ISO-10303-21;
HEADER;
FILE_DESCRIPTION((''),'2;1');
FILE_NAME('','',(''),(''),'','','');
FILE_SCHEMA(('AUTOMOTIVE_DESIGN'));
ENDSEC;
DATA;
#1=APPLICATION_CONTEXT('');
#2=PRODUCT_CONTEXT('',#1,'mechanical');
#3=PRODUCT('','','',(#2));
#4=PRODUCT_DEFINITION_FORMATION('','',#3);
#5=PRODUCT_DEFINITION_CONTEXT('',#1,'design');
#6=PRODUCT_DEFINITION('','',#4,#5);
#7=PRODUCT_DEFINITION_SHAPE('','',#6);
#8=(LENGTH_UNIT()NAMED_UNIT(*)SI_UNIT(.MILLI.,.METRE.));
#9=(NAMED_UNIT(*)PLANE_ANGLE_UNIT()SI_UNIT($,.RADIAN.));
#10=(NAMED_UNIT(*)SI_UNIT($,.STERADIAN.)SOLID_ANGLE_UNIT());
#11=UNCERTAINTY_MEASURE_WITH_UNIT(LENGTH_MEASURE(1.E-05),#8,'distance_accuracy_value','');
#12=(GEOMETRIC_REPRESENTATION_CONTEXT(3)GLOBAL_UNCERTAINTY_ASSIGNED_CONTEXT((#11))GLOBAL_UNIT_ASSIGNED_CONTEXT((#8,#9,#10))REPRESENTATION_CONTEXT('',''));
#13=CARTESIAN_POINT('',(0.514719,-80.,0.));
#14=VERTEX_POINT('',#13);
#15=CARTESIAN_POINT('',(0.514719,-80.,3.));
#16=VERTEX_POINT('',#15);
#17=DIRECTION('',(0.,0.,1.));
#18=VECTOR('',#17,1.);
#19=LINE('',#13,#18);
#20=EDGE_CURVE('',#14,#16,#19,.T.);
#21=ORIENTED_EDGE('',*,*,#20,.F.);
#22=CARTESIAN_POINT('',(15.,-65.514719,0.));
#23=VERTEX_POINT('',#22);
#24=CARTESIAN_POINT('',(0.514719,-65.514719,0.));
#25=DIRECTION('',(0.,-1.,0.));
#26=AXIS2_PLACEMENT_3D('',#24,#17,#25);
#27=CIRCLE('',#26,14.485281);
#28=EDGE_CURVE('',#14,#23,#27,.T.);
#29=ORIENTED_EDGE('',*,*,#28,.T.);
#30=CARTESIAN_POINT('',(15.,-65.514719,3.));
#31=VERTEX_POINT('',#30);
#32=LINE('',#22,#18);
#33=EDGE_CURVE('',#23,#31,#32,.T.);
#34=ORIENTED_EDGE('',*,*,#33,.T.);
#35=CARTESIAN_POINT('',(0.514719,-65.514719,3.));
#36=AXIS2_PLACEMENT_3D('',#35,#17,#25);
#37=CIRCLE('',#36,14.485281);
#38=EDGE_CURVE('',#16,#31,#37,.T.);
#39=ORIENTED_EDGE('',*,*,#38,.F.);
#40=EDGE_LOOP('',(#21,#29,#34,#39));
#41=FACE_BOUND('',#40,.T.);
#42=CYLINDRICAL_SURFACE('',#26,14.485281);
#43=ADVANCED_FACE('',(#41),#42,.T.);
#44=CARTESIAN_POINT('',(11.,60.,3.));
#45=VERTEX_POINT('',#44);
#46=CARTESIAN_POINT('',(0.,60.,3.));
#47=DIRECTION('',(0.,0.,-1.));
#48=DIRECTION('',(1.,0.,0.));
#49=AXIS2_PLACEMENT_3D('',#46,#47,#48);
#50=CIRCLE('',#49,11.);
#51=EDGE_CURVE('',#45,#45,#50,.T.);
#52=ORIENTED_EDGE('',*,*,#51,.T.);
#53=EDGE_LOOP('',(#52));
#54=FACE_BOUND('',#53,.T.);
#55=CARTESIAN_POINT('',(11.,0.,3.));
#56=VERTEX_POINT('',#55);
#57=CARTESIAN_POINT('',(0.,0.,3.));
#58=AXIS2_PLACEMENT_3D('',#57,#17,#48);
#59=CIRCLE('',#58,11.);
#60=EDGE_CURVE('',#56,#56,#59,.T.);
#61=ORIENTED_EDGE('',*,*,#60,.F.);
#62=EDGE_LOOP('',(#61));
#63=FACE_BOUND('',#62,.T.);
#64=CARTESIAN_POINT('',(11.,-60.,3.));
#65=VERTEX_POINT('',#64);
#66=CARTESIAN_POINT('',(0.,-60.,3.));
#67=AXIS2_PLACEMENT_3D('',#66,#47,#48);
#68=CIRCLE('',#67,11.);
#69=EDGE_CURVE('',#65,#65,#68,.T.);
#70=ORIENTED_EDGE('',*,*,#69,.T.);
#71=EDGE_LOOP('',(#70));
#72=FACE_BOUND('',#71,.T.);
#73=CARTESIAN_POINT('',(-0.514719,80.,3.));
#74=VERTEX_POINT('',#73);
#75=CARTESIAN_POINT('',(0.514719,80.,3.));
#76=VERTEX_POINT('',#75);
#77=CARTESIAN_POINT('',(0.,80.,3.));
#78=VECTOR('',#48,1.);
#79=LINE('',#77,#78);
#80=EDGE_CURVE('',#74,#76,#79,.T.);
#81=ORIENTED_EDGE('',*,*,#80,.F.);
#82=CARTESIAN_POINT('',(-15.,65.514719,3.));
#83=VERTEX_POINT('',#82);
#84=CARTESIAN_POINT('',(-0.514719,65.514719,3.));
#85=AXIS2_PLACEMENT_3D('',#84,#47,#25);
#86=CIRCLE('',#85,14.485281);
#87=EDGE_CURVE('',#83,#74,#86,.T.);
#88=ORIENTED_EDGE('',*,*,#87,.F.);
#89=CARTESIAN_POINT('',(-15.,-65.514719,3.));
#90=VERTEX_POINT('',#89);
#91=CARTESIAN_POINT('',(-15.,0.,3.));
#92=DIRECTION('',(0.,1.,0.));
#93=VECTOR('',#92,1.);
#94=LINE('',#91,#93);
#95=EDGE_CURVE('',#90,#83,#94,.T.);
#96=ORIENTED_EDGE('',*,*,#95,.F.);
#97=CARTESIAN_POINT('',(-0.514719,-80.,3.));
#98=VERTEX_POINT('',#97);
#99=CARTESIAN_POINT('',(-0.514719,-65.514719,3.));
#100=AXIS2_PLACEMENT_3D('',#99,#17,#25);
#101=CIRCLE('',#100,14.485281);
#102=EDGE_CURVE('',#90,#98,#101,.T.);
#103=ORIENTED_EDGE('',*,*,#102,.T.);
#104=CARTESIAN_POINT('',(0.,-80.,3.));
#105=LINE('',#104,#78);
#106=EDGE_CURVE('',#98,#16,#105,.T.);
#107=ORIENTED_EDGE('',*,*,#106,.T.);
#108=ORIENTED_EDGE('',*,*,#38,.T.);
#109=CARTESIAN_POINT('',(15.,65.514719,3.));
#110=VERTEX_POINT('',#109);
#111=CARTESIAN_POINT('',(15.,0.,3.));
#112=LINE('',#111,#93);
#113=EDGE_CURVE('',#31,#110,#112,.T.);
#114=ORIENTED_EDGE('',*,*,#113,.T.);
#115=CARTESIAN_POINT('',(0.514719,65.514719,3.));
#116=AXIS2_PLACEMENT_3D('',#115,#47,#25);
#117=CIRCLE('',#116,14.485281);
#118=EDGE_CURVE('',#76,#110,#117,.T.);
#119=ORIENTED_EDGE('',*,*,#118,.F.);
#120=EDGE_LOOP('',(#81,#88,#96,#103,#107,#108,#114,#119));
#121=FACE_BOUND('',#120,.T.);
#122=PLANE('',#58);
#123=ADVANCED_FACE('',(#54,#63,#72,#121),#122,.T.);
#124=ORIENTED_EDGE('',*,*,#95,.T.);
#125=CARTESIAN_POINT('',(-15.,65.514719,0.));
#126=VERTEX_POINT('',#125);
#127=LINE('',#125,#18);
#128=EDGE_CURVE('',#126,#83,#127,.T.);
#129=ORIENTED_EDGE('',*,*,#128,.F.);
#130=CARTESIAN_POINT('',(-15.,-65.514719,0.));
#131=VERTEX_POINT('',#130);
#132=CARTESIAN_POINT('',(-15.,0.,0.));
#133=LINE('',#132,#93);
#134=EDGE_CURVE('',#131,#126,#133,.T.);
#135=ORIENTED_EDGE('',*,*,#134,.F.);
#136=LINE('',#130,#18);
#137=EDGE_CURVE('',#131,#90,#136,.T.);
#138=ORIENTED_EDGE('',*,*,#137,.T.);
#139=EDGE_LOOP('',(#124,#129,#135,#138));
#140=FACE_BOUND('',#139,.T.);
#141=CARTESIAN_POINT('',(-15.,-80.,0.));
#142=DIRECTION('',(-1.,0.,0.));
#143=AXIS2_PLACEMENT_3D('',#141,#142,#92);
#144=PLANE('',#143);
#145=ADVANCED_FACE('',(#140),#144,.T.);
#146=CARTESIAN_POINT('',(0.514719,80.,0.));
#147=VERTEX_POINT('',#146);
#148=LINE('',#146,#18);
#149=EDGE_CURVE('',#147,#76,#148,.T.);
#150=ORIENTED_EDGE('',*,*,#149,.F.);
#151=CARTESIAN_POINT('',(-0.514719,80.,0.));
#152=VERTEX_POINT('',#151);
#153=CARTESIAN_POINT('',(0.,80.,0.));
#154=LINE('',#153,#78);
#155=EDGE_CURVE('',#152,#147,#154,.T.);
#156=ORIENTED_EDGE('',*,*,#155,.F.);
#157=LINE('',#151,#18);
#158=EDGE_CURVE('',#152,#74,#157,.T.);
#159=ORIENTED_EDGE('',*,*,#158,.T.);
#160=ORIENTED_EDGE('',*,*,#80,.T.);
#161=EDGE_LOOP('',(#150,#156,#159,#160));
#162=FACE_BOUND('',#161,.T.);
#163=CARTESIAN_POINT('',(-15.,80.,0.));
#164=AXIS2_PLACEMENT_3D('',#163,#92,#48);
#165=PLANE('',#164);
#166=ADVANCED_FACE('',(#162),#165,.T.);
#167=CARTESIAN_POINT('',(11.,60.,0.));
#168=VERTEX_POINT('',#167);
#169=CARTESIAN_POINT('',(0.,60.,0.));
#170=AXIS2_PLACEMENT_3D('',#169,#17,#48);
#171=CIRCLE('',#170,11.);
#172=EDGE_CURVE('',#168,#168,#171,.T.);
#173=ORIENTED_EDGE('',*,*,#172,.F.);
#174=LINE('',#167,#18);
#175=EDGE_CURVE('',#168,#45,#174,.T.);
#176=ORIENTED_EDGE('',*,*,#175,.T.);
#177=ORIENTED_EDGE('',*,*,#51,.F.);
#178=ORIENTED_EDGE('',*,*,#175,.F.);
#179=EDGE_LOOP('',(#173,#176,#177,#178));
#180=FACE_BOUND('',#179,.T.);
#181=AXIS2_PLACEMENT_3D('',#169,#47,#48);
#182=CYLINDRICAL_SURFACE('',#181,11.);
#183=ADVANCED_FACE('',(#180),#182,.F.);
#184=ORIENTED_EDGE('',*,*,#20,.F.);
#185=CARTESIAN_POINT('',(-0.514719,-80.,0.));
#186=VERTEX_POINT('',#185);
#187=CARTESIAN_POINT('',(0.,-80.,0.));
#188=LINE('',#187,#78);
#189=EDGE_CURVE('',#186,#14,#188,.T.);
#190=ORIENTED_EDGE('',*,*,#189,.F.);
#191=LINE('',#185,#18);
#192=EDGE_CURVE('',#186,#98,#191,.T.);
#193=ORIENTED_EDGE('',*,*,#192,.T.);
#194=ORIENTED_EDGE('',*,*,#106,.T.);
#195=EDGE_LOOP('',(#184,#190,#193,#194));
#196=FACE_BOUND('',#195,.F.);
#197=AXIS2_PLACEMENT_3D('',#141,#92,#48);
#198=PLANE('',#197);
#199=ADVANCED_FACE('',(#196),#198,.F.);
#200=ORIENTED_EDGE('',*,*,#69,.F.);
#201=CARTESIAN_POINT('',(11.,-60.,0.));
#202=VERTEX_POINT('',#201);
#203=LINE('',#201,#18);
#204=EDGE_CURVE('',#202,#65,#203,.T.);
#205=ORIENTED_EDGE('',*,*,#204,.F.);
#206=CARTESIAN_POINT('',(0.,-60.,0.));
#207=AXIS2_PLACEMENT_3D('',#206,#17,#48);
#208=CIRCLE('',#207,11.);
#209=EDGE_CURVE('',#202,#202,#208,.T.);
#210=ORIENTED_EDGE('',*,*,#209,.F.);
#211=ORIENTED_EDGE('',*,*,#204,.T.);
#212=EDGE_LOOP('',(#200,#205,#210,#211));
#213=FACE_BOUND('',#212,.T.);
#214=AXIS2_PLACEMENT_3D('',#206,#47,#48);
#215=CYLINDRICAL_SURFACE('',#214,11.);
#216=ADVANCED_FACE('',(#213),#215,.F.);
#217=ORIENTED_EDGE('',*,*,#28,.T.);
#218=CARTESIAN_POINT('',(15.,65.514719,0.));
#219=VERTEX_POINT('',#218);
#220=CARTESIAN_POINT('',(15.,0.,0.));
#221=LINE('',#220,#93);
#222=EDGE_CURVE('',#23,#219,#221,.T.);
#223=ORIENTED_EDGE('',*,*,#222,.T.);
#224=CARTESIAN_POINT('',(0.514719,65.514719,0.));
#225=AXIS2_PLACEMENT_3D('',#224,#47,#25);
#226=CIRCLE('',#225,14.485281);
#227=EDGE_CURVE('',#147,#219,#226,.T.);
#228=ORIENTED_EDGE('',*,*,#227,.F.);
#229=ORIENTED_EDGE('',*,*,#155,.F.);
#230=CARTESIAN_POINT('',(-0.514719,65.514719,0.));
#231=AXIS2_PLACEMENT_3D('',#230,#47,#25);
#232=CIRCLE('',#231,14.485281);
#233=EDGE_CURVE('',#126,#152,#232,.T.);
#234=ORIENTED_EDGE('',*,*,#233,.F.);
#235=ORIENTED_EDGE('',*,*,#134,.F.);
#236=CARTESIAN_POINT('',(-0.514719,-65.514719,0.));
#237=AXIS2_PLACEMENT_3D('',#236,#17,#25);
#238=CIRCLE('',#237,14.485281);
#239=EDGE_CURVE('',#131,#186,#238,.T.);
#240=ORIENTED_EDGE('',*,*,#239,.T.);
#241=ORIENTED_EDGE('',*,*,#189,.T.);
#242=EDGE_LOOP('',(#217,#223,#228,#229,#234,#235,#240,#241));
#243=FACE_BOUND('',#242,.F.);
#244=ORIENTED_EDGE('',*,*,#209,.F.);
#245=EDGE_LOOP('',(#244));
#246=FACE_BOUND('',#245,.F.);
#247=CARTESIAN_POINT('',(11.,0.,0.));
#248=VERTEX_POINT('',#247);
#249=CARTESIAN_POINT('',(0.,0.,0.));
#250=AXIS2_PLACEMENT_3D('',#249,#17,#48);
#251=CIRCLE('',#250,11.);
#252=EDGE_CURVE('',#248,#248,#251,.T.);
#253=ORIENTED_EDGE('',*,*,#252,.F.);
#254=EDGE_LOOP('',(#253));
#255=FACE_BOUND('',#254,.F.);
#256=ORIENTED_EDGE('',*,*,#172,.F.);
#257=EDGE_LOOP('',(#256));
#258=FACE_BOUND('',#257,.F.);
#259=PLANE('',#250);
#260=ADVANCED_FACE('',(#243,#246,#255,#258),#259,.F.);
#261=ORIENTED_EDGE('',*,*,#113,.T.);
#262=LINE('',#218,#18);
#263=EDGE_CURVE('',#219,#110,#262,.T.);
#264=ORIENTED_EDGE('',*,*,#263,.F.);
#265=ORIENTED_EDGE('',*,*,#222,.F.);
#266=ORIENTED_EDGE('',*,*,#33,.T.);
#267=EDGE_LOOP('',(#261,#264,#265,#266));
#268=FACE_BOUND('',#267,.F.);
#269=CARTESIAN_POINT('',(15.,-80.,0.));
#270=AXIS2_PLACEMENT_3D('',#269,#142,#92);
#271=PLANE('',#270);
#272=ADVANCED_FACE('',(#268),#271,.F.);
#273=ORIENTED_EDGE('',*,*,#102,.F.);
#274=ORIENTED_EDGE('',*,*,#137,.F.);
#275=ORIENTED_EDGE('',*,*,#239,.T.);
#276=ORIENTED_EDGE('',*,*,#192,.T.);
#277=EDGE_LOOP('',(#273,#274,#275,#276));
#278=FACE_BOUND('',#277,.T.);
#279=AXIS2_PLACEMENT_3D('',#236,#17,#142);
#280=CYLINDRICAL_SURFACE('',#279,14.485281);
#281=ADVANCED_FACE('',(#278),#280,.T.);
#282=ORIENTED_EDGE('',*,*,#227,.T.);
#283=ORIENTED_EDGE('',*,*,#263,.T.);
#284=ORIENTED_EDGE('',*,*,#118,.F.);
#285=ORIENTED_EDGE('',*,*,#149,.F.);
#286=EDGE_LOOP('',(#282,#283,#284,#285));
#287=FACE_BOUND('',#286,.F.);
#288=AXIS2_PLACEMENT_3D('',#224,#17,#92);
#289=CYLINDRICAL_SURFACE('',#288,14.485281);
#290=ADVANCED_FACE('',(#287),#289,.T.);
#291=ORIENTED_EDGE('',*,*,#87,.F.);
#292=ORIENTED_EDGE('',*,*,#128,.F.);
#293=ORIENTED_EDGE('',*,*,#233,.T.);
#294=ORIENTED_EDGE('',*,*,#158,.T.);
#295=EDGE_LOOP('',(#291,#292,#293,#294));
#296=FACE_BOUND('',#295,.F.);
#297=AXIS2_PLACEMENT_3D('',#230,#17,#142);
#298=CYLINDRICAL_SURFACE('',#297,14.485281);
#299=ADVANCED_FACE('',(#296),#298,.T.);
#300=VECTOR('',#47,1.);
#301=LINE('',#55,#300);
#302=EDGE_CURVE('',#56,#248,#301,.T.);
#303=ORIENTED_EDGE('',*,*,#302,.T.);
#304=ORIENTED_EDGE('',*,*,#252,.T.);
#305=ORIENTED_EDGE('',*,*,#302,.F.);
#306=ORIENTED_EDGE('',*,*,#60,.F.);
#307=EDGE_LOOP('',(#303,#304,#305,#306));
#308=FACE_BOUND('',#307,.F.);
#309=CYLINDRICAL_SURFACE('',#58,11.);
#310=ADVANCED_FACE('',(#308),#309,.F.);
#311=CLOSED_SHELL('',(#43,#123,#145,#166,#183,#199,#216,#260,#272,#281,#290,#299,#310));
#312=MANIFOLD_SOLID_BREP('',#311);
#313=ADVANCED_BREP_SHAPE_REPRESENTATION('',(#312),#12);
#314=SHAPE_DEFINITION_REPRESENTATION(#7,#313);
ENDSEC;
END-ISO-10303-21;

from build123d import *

# Parameters (mm, degrees)
F0_W     = 30
F0_H     = 160
F1_DEPTH = 3
F2_R     = 11
F3_DEPTH = 25
F4_R     = 11
F5_DEPTH = 25
F6_R     = 14.485281
F7_R     = 14.485281


with BuildPart() as f1:
    # F0 (on Top) → F1 (new body)
    with BuildSketch(Plane.XY):
        Rectangle(F0_W, F0_H)
    extrude(amount=F1_DEPTH)

    # F2 (on face) → F3 (cut)
    with BuildSketch(Plane.XY.offset(3)):
        Circle(F2_R)
    extrude(amount=-F3_DEPTH, mode=Mode.SUBTRACT)

    # F4 (on Top) → F5 (cut)
    with BuildSketch(Plane.XY):
        with Locations((0, 60)):
            Circle(F4_R)
        with Locations((0, -60)):
            Circle(F4_R)
    extrude(amount=F5_DEPTH, mode=Mode.SUBTRACT)

    # F6
    f6_edges = [f1.edges().sort_by_distance(p)[0] for p in [
        (-15, -80, 1.5),
        (15, -80, 1.5),
    ]]
    fillet(f6_edges, radius=F6_R)

    # F7
    f7_edges = [f1.edges().sort_by_distance(p)[0] for p in [
        (-15, 80, 1.5),
        (15, 80, 1.5),
    ]]
    fillet(f7_edges, radius=F7_R)


solid = f1.part
